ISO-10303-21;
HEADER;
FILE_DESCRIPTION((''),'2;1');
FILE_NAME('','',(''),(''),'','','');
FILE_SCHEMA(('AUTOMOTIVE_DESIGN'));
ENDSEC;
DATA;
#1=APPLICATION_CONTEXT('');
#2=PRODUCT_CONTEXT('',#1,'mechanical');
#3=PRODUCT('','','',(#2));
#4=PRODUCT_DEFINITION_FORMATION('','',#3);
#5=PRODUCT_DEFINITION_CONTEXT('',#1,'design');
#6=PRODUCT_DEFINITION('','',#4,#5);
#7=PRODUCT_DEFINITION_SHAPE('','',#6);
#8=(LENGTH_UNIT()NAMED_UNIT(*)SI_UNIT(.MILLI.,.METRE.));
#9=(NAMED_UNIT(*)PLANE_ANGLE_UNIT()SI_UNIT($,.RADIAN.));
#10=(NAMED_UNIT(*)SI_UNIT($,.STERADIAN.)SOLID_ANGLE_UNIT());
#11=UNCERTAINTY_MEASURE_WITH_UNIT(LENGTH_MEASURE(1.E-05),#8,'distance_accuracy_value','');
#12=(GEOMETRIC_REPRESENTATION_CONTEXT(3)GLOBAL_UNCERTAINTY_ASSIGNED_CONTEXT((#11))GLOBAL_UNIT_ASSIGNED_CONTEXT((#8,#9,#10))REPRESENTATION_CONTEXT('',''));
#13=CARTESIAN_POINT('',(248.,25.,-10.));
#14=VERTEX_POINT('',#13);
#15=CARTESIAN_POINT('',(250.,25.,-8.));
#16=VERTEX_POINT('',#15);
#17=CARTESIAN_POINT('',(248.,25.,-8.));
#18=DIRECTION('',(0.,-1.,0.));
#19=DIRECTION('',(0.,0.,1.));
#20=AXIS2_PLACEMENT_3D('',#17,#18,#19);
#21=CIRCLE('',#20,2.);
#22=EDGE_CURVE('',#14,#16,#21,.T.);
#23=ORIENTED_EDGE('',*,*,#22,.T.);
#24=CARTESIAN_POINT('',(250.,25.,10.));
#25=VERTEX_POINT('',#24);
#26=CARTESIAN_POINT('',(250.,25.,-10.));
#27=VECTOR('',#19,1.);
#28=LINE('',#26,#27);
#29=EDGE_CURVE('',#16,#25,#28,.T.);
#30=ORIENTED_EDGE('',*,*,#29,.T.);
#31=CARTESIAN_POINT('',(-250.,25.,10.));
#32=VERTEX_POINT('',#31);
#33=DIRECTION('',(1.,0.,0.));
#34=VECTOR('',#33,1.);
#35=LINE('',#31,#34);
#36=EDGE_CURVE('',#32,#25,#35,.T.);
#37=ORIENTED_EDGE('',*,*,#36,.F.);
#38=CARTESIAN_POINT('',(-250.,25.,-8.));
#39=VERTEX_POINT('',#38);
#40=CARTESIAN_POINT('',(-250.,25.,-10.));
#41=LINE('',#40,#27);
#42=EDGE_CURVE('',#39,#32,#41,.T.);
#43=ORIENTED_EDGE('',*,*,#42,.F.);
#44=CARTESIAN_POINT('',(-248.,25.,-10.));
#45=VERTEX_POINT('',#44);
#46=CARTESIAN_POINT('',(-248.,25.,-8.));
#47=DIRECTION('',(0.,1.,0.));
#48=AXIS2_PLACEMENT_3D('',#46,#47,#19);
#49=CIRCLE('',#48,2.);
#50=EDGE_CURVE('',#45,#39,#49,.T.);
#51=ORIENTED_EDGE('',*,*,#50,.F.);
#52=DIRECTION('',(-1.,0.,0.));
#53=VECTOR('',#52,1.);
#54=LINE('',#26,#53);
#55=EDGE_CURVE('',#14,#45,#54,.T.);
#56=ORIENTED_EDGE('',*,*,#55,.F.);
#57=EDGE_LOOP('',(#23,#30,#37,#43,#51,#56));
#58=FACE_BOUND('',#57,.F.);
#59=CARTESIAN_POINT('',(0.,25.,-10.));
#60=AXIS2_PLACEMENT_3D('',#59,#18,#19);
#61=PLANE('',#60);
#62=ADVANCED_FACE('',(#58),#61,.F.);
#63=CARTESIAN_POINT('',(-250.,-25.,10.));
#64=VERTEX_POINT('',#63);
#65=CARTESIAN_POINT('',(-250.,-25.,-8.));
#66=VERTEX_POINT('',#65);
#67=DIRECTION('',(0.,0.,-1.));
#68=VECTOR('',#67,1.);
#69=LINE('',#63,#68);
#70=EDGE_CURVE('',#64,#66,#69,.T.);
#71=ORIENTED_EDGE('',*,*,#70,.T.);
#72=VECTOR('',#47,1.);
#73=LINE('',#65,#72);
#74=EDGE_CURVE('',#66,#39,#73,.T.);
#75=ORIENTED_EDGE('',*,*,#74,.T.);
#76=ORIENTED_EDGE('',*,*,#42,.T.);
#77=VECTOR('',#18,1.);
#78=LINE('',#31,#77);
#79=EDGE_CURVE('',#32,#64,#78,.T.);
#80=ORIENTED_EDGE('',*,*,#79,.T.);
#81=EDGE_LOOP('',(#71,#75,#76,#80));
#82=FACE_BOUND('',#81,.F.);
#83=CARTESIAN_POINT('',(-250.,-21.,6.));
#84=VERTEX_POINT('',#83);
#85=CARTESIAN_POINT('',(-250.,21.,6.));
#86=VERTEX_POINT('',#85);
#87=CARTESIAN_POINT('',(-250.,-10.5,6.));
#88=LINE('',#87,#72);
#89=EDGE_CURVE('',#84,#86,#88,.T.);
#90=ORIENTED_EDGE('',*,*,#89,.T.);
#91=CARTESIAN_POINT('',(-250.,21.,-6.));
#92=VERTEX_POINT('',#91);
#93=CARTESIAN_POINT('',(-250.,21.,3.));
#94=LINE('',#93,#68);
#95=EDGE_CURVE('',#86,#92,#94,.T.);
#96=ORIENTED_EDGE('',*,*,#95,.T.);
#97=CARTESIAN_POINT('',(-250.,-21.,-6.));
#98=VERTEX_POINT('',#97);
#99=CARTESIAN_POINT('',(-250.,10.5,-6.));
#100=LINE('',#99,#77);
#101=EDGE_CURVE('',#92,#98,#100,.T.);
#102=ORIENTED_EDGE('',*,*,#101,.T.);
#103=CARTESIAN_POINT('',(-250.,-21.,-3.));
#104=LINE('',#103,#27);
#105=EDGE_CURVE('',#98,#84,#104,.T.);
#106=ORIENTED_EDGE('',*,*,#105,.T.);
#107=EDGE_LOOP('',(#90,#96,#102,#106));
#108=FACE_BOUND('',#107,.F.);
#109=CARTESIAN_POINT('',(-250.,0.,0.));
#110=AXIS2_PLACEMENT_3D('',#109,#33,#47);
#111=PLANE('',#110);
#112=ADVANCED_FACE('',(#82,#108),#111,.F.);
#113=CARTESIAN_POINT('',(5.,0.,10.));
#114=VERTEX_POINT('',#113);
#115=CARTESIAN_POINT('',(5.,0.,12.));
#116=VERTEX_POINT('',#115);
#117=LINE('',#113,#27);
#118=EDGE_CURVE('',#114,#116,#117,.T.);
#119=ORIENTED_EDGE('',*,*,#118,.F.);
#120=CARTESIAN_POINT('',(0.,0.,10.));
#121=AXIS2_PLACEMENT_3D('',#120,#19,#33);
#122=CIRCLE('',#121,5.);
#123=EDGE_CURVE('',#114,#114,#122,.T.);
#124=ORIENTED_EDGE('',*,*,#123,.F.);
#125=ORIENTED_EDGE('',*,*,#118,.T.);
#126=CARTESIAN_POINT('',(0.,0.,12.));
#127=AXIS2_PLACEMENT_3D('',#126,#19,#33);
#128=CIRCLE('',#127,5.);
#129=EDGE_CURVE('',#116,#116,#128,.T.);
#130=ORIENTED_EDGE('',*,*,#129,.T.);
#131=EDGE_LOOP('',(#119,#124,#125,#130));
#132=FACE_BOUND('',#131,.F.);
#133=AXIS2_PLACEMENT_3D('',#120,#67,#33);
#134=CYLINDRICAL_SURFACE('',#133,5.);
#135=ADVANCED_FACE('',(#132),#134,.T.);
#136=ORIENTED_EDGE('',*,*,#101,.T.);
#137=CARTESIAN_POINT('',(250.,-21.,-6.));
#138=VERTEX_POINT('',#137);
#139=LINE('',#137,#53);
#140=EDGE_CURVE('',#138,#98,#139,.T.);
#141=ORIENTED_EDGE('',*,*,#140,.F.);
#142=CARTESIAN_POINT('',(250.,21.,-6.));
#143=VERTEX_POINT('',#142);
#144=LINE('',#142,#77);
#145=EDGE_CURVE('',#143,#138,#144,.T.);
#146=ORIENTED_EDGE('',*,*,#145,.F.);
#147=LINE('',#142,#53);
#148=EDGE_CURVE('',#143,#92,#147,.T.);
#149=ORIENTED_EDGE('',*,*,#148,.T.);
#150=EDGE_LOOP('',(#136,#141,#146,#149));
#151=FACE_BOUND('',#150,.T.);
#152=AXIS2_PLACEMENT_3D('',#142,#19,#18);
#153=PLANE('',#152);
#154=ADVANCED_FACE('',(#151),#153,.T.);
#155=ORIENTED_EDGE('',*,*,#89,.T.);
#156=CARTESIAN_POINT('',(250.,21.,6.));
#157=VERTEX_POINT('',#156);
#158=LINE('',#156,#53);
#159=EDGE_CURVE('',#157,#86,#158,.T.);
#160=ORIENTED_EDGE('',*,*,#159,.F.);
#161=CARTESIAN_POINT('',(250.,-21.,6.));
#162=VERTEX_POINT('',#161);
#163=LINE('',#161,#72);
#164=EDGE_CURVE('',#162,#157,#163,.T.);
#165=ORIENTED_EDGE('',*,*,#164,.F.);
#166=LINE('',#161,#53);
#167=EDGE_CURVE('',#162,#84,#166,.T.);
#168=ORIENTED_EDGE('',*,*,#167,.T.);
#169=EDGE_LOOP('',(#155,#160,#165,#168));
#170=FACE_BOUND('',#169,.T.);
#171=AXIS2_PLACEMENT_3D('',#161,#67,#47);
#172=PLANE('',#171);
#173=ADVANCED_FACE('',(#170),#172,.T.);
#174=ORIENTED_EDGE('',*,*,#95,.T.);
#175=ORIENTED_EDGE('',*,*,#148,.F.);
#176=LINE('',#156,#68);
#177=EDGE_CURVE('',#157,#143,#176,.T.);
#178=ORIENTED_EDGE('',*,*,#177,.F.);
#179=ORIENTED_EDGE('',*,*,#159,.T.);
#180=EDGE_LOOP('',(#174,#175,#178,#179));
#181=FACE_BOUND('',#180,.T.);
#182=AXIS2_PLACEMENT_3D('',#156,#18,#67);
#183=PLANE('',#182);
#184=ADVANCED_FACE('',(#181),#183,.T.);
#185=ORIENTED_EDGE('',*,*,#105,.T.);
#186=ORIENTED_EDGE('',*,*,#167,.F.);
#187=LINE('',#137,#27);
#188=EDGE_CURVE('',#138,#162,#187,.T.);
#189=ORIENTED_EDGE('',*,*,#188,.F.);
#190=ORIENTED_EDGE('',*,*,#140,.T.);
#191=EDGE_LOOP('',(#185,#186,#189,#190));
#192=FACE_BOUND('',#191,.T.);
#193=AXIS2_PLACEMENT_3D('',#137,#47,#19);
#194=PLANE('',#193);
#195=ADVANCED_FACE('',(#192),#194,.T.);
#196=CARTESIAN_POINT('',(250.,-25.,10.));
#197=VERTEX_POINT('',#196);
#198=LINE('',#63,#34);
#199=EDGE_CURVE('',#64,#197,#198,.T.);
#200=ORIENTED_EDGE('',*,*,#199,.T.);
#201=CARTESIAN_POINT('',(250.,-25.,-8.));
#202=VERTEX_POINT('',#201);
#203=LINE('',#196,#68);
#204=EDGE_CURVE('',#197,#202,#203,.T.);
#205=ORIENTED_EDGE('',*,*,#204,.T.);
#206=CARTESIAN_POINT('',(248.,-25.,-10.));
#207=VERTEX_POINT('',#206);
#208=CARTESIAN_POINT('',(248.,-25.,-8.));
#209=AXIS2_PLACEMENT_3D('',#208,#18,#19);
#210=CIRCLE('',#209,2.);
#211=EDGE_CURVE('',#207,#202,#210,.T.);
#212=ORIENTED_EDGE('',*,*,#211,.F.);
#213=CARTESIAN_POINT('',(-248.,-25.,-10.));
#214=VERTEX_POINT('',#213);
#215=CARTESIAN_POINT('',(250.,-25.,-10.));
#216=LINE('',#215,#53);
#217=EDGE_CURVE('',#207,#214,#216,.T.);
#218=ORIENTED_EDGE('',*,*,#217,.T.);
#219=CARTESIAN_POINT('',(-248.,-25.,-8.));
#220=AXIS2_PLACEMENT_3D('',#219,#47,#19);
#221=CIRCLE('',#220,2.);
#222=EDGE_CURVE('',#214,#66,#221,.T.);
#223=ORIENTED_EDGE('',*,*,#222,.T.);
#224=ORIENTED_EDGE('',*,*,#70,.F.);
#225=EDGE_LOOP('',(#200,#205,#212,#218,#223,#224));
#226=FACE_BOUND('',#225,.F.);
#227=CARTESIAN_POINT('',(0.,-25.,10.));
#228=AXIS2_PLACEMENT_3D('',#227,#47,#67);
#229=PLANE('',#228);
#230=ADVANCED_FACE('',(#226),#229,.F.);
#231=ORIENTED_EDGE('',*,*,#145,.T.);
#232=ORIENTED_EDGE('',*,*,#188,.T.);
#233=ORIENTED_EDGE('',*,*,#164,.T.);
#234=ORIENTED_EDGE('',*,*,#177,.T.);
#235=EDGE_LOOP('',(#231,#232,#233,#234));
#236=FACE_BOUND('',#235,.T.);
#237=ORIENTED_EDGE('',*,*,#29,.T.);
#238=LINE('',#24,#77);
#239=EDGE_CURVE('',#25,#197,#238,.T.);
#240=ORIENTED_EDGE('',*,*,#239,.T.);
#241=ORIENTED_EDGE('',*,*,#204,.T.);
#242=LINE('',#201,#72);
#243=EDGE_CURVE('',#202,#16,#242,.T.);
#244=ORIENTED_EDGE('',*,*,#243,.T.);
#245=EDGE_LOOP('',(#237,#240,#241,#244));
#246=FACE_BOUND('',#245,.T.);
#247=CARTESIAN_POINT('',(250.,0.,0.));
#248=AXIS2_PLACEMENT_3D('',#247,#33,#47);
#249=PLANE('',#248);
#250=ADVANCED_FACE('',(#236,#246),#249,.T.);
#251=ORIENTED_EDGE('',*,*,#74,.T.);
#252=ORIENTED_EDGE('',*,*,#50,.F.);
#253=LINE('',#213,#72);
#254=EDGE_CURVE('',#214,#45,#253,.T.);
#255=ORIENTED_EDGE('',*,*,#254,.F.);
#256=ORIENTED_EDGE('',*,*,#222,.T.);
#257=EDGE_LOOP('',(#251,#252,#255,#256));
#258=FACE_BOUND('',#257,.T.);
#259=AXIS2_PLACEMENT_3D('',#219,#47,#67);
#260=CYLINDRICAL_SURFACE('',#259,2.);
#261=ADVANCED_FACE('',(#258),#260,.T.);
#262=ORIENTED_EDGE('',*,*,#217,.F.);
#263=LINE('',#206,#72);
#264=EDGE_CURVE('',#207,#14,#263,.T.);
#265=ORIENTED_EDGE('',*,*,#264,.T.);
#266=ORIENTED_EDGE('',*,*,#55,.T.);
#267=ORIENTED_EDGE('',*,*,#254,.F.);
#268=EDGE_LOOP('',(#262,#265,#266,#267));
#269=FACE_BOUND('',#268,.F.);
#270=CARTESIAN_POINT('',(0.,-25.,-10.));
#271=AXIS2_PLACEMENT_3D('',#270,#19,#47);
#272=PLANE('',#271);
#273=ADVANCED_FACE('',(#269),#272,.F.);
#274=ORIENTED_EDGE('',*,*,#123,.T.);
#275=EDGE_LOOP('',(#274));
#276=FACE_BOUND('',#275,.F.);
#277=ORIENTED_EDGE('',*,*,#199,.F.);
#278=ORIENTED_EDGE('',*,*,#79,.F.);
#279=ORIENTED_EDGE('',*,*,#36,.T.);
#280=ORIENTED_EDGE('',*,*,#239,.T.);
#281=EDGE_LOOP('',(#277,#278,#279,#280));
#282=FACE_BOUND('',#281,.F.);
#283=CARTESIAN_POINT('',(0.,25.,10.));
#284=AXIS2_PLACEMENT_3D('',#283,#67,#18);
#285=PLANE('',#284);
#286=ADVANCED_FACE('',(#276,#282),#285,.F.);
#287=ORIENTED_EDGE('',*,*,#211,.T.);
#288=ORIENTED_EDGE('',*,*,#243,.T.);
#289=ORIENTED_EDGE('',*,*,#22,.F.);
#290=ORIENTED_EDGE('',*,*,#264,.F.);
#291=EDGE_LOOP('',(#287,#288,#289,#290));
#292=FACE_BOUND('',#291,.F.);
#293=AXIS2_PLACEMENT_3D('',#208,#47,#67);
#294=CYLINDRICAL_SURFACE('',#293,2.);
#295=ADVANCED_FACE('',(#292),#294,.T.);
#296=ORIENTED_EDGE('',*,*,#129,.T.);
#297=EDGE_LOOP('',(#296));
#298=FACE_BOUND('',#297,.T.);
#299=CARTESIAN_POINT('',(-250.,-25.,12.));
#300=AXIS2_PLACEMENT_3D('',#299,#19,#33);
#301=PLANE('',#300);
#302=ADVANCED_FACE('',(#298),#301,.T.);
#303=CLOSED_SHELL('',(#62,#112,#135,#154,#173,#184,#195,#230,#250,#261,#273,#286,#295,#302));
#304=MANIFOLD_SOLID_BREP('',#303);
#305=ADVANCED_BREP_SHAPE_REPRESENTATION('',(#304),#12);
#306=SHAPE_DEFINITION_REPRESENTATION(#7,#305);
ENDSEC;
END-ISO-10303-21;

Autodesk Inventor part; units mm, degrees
ref_plane "YZ Plane" through (0, 0, 0) normal (1, 0, 0) x (0, 1, 0)
ref_plane "XZ Plane" through (0, 0, 0) normal (0, 1, 0) x (-1, 0, 0)
ref_plane "XY Plane" through (0, 0, 0) normal (0, 0, 1) x (1, 0, 0)
sketch "スケッチ2" plane through (0, 0, 0) normal (1, 0, 0) x (0, 1, 0)
  line L0 (25, 10) -> (-25, 10)
  line L1 (-25, 10) -> (-25, -10)
  line L2 (-25, -10) -> (25, -10)
  line L3 (25, -10) -> (25, 10)
  line L4 (25, 10) -> (-25, -10) construction
  line L5 (-25, 10) -> (25, -10) construction
  point P0 (0, 0)
  dimension "d4" = 50
  dimension "d5" = 20
extrude "押し出し2" add sketch "スケッチ2" along normal mid plane 500
sketch "スケッチ3" plane through (-250, -25, 10) normal (0, 0, 1) x (1, 0, 0)
  circle A0 centre (250, 25) radius 5
  dimension "d8" = 10
extrude "押し出し3" add sketch "スケッチ3" along normal blind 2
fillet "フィレット1" radius 2 2 edges at (250, 0, -10) (-250, 0, -10)
sketch "スケッチ4" plane through (250, 0, 0) normal (1, 0, 0) x (0, 0, -1)
  line L0 (-6, 21) -> (6, 21)
  line L1 (6, 21) -> (6, -21)
  line L2 (6, -21) -> (-6, -21)
  line L3 (-6, -21) -> (-6, 21)
  line L4 (-6, 21) -> (6, -21) construction
  line L5 (6, 21) -> (-6, -21) construction
  point P0 (0, 0)
  dimension "d12" = 12
  dimension "d13" = 42
extrude "押し出し4" cut sketch "スケッチ4" against normal through all
properties part number "hashi1shado"
